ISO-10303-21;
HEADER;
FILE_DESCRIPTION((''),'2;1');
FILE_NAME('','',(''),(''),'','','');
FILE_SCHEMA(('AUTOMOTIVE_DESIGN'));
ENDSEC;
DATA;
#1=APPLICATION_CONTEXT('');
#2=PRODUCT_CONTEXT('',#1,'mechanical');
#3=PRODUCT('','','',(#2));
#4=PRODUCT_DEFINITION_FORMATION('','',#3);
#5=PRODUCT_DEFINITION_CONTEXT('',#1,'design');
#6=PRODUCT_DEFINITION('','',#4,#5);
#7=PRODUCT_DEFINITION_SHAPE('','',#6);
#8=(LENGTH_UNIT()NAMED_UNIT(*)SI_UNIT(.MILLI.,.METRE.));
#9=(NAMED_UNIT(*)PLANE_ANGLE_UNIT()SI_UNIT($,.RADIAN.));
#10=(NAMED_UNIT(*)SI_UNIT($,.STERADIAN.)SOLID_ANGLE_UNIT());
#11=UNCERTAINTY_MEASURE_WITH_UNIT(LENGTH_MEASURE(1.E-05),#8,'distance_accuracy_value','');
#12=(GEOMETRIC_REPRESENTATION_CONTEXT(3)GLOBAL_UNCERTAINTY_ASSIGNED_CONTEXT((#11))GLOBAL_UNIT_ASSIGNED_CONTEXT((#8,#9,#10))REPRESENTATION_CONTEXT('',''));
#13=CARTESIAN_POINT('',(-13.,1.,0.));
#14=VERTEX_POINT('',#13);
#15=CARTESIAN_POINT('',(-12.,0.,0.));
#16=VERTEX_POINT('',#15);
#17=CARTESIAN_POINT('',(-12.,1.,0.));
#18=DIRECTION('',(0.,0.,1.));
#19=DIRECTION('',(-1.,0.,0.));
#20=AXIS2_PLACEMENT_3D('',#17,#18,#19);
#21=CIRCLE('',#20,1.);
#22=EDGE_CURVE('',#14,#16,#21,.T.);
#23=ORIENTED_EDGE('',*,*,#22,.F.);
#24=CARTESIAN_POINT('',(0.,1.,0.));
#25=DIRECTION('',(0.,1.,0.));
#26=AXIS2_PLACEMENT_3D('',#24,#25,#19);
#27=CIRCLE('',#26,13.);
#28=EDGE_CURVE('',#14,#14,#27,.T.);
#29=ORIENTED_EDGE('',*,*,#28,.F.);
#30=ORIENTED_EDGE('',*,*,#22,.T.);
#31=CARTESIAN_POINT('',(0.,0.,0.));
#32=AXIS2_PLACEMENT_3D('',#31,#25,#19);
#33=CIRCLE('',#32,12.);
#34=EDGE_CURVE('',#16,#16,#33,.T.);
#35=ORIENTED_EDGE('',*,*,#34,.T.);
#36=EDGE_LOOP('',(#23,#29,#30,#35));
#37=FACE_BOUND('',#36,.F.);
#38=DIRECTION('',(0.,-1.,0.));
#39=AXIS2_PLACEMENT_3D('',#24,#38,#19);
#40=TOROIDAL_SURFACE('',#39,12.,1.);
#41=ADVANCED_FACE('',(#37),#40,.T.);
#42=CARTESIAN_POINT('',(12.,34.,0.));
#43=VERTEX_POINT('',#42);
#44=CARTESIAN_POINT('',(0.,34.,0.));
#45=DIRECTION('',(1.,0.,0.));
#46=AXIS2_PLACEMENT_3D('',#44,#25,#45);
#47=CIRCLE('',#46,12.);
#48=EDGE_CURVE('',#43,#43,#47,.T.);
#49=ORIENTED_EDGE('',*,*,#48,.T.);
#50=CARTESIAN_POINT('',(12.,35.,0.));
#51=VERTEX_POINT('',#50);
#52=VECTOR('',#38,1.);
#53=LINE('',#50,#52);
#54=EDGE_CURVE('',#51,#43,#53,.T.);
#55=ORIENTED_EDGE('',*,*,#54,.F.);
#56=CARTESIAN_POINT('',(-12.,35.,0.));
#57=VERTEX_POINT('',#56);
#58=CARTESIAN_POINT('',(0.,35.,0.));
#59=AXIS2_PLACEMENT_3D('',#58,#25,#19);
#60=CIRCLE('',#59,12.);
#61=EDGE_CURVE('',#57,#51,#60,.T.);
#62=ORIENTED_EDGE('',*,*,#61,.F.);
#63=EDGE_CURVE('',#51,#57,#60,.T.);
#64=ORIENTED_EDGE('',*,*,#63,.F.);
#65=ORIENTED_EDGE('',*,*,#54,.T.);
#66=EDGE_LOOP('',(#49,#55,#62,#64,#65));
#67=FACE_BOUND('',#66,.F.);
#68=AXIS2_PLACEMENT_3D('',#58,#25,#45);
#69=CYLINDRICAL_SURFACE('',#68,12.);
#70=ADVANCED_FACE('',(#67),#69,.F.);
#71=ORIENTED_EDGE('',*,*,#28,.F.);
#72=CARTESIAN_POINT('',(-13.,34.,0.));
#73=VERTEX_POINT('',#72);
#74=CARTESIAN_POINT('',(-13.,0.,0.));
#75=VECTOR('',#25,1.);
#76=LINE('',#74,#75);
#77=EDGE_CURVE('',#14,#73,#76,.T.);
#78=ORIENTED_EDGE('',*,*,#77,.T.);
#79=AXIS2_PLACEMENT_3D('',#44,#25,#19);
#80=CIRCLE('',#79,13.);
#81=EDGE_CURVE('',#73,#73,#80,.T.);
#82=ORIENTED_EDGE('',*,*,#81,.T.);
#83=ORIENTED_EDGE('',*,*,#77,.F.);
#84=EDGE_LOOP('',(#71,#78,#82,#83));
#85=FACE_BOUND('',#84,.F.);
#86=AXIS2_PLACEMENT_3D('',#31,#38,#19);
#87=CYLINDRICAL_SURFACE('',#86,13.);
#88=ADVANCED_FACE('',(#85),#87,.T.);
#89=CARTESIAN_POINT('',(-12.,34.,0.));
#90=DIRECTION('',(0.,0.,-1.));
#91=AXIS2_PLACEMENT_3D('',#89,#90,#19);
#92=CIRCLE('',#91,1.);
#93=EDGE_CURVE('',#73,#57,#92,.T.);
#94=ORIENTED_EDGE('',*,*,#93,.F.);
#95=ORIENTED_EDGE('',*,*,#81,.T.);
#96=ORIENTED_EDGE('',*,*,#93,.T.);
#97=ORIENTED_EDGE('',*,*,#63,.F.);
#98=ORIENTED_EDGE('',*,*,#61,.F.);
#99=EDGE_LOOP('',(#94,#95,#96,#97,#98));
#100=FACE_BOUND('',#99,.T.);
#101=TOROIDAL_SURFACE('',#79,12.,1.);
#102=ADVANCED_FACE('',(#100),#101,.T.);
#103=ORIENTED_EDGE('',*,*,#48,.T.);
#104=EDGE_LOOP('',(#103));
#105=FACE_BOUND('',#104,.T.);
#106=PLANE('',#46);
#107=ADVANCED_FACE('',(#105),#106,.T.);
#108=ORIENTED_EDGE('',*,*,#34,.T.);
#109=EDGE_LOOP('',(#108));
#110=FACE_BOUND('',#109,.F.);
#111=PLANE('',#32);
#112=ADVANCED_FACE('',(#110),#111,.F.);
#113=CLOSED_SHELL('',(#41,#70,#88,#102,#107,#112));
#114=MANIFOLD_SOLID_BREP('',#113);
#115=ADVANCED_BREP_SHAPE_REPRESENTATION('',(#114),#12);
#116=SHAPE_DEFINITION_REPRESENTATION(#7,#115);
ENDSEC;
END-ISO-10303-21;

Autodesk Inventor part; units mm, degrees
ref_plane "YZ Plane" through (0, 0, 0) normal (1, 0, 0) x (0, 1, 0)
ref_plane "XZ Plane" through (0, 0, 0) normal (0, 1, 0) x (-1, 0, 0)
ref_plane "XY Plane" through (0, 0, 0) normal (0, 0, 1) x (1, 0, 0)
sketch "スケッチ1" plane through (0, 0, 0) normal (0, 1, 0) x (-1, 0, 0)
  circle A0 centre (0, 0) radius 13
  dimension "d0" = 26
extrude "押し出し1" add sketch "スケッチ1" along normal blind 35
fillet "フィレット1" radius 1 2 edges at (13, 0, 0) (13, 35, 0)
sketch "スケッチ2" plane through (0, 35, 0) normal (0, 1, 0) x (1, 0, 0)
  circle A0 centre (0, 0) radius 12
extrude "押し出し2" cut sketch "スケッチ2" against normal blind 1
properties part number "Capacitor"
